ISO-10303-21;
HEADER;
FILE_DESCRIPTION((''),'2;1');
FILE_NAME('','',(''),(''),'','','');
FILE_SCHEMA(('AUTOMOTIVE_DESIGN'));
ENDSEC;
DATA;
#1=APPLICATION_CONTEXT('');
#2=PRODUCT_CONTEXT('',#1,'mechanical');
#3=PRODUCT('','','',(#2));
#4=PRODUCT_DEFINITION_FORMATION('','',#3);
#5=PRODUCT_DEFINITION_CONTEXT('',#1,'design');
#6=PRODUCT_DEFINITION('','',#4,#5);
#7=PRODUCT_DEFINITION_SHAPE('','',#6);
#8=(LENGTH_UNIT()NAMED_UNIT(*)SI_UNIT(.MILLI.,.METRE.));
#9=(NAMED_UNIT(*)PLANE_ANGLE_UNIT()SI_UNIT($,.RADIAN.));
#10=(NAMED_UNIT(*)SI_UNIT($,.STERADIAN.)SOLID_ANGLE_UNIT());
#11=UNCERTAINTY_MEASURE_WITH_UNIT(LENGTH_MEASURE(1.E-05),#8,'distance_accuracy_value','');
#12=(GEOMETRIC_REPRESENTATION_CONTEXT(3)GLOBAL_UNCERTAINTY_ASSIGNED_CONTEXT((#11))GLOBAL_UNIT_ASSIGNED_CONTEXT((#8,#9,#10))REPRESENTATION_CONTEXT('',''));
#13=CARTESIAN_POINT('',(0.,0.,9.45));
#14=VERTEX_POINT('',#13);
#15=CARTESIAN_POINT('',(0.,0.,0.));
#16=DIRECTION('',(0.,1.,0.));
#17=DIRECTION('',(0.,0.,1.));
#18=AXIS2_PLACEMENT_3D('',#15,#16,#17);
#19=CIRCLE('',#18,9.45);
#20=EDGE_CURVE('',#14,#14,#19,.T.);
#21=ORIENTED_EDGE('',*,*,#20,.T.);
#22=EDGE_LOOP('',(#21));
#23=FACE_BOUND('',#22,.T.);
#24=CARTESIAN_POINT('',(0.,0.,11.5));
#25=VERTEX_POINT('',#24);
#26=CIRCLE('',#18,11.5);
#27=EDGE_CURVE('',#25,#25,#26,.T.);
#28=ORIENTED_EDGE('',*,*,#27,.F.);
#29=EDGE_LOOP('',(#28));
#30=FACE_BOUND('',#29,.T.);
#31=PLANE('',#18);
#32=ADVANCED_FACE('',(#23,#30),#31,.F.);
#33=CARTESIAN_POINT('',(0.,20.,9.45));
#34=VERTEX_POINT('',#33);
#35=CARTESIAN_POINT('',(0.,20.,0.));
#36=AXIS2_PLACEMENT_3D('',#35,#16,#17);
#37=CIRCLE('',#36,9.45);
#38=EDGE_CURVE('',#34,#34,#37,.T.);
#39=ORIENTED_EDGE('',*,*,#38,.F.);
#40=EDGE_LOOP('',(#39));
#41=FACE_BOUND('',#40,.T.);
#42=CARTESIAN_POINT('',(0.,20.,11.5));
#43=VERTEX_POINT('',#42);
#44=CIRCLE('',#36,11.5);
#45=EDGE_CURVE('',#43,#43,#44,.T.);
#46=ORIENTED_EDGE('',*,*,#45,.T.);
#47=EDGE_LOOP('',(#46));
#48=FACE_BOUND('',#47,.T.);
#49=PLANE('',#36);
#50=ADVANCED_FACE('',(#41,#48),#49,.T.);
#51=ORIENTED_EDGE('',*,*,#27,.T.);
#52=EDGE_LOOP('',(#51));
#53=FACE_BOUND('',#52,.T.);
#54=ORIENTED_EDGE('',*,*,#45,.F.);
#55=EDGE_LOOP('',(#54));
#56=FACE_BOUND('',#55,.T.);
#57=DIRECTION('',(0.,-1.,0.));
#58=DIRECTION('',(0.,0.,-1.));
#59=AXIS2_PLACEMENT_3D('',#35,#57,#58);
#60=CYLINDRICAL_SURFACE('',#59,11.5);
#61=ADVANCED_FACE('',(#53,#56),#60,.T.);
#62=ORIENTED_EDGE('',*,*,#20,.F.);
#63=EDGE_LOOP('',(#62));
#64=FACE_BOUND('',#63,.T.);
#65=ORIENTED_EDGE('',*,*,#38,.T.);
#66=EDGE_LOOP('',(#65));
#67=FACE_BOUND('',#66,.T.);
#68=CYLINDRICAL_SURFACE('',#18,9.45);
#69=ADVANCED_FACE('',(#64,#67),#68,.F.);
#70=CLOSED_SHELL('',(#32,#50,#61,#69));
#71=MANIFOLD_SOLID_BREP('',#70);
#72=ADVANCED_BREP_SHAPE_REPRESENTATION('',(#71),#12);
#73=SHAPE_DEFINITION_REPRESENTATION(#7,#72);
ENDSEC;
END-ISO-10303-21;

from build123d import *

# Parameters (mm, degrees)
SKETCH_1_R          = 11.5
EXTRUDE_1_DEPTH     = 20
SKETCH_2_R          = 9.45
CUT_EXTRUDE_1_DEPTH = 26.777897509


with BuildPart() as part:
    # ｽｹｯﾁ1 → ﾎﾞｽ - 押し出し1 (new body)
    with BuildSketch(Plane(origin=(0, 0, 0), x_dir=(1, 0, 0), z_dir=(0, 1, 0))):
        with Locations(Location((0, 0, 0), (0, 0, 270))):
            Circle(SKETCH_1_R)
    extrude(amount=EXTRUDE_1_DEPTH)

    # ｽｹｯﾁ2 → ｶｯﾄ - 押し出し1 (cut, through all)
    with BuildSketch(Plane(origin=(0, 20, 0), x_dir=(1, 0, 0), z_dir=(0, 1, 0))):
        with Locations(Location((0, 0, 0), (0, 0, 270))):
            Circle(SKETCH_2_R)
    extrude(amount=-CUT_EXTRUDE_1_DEPTH, mode=Mode.SUBTRACT)


solid = part.part
